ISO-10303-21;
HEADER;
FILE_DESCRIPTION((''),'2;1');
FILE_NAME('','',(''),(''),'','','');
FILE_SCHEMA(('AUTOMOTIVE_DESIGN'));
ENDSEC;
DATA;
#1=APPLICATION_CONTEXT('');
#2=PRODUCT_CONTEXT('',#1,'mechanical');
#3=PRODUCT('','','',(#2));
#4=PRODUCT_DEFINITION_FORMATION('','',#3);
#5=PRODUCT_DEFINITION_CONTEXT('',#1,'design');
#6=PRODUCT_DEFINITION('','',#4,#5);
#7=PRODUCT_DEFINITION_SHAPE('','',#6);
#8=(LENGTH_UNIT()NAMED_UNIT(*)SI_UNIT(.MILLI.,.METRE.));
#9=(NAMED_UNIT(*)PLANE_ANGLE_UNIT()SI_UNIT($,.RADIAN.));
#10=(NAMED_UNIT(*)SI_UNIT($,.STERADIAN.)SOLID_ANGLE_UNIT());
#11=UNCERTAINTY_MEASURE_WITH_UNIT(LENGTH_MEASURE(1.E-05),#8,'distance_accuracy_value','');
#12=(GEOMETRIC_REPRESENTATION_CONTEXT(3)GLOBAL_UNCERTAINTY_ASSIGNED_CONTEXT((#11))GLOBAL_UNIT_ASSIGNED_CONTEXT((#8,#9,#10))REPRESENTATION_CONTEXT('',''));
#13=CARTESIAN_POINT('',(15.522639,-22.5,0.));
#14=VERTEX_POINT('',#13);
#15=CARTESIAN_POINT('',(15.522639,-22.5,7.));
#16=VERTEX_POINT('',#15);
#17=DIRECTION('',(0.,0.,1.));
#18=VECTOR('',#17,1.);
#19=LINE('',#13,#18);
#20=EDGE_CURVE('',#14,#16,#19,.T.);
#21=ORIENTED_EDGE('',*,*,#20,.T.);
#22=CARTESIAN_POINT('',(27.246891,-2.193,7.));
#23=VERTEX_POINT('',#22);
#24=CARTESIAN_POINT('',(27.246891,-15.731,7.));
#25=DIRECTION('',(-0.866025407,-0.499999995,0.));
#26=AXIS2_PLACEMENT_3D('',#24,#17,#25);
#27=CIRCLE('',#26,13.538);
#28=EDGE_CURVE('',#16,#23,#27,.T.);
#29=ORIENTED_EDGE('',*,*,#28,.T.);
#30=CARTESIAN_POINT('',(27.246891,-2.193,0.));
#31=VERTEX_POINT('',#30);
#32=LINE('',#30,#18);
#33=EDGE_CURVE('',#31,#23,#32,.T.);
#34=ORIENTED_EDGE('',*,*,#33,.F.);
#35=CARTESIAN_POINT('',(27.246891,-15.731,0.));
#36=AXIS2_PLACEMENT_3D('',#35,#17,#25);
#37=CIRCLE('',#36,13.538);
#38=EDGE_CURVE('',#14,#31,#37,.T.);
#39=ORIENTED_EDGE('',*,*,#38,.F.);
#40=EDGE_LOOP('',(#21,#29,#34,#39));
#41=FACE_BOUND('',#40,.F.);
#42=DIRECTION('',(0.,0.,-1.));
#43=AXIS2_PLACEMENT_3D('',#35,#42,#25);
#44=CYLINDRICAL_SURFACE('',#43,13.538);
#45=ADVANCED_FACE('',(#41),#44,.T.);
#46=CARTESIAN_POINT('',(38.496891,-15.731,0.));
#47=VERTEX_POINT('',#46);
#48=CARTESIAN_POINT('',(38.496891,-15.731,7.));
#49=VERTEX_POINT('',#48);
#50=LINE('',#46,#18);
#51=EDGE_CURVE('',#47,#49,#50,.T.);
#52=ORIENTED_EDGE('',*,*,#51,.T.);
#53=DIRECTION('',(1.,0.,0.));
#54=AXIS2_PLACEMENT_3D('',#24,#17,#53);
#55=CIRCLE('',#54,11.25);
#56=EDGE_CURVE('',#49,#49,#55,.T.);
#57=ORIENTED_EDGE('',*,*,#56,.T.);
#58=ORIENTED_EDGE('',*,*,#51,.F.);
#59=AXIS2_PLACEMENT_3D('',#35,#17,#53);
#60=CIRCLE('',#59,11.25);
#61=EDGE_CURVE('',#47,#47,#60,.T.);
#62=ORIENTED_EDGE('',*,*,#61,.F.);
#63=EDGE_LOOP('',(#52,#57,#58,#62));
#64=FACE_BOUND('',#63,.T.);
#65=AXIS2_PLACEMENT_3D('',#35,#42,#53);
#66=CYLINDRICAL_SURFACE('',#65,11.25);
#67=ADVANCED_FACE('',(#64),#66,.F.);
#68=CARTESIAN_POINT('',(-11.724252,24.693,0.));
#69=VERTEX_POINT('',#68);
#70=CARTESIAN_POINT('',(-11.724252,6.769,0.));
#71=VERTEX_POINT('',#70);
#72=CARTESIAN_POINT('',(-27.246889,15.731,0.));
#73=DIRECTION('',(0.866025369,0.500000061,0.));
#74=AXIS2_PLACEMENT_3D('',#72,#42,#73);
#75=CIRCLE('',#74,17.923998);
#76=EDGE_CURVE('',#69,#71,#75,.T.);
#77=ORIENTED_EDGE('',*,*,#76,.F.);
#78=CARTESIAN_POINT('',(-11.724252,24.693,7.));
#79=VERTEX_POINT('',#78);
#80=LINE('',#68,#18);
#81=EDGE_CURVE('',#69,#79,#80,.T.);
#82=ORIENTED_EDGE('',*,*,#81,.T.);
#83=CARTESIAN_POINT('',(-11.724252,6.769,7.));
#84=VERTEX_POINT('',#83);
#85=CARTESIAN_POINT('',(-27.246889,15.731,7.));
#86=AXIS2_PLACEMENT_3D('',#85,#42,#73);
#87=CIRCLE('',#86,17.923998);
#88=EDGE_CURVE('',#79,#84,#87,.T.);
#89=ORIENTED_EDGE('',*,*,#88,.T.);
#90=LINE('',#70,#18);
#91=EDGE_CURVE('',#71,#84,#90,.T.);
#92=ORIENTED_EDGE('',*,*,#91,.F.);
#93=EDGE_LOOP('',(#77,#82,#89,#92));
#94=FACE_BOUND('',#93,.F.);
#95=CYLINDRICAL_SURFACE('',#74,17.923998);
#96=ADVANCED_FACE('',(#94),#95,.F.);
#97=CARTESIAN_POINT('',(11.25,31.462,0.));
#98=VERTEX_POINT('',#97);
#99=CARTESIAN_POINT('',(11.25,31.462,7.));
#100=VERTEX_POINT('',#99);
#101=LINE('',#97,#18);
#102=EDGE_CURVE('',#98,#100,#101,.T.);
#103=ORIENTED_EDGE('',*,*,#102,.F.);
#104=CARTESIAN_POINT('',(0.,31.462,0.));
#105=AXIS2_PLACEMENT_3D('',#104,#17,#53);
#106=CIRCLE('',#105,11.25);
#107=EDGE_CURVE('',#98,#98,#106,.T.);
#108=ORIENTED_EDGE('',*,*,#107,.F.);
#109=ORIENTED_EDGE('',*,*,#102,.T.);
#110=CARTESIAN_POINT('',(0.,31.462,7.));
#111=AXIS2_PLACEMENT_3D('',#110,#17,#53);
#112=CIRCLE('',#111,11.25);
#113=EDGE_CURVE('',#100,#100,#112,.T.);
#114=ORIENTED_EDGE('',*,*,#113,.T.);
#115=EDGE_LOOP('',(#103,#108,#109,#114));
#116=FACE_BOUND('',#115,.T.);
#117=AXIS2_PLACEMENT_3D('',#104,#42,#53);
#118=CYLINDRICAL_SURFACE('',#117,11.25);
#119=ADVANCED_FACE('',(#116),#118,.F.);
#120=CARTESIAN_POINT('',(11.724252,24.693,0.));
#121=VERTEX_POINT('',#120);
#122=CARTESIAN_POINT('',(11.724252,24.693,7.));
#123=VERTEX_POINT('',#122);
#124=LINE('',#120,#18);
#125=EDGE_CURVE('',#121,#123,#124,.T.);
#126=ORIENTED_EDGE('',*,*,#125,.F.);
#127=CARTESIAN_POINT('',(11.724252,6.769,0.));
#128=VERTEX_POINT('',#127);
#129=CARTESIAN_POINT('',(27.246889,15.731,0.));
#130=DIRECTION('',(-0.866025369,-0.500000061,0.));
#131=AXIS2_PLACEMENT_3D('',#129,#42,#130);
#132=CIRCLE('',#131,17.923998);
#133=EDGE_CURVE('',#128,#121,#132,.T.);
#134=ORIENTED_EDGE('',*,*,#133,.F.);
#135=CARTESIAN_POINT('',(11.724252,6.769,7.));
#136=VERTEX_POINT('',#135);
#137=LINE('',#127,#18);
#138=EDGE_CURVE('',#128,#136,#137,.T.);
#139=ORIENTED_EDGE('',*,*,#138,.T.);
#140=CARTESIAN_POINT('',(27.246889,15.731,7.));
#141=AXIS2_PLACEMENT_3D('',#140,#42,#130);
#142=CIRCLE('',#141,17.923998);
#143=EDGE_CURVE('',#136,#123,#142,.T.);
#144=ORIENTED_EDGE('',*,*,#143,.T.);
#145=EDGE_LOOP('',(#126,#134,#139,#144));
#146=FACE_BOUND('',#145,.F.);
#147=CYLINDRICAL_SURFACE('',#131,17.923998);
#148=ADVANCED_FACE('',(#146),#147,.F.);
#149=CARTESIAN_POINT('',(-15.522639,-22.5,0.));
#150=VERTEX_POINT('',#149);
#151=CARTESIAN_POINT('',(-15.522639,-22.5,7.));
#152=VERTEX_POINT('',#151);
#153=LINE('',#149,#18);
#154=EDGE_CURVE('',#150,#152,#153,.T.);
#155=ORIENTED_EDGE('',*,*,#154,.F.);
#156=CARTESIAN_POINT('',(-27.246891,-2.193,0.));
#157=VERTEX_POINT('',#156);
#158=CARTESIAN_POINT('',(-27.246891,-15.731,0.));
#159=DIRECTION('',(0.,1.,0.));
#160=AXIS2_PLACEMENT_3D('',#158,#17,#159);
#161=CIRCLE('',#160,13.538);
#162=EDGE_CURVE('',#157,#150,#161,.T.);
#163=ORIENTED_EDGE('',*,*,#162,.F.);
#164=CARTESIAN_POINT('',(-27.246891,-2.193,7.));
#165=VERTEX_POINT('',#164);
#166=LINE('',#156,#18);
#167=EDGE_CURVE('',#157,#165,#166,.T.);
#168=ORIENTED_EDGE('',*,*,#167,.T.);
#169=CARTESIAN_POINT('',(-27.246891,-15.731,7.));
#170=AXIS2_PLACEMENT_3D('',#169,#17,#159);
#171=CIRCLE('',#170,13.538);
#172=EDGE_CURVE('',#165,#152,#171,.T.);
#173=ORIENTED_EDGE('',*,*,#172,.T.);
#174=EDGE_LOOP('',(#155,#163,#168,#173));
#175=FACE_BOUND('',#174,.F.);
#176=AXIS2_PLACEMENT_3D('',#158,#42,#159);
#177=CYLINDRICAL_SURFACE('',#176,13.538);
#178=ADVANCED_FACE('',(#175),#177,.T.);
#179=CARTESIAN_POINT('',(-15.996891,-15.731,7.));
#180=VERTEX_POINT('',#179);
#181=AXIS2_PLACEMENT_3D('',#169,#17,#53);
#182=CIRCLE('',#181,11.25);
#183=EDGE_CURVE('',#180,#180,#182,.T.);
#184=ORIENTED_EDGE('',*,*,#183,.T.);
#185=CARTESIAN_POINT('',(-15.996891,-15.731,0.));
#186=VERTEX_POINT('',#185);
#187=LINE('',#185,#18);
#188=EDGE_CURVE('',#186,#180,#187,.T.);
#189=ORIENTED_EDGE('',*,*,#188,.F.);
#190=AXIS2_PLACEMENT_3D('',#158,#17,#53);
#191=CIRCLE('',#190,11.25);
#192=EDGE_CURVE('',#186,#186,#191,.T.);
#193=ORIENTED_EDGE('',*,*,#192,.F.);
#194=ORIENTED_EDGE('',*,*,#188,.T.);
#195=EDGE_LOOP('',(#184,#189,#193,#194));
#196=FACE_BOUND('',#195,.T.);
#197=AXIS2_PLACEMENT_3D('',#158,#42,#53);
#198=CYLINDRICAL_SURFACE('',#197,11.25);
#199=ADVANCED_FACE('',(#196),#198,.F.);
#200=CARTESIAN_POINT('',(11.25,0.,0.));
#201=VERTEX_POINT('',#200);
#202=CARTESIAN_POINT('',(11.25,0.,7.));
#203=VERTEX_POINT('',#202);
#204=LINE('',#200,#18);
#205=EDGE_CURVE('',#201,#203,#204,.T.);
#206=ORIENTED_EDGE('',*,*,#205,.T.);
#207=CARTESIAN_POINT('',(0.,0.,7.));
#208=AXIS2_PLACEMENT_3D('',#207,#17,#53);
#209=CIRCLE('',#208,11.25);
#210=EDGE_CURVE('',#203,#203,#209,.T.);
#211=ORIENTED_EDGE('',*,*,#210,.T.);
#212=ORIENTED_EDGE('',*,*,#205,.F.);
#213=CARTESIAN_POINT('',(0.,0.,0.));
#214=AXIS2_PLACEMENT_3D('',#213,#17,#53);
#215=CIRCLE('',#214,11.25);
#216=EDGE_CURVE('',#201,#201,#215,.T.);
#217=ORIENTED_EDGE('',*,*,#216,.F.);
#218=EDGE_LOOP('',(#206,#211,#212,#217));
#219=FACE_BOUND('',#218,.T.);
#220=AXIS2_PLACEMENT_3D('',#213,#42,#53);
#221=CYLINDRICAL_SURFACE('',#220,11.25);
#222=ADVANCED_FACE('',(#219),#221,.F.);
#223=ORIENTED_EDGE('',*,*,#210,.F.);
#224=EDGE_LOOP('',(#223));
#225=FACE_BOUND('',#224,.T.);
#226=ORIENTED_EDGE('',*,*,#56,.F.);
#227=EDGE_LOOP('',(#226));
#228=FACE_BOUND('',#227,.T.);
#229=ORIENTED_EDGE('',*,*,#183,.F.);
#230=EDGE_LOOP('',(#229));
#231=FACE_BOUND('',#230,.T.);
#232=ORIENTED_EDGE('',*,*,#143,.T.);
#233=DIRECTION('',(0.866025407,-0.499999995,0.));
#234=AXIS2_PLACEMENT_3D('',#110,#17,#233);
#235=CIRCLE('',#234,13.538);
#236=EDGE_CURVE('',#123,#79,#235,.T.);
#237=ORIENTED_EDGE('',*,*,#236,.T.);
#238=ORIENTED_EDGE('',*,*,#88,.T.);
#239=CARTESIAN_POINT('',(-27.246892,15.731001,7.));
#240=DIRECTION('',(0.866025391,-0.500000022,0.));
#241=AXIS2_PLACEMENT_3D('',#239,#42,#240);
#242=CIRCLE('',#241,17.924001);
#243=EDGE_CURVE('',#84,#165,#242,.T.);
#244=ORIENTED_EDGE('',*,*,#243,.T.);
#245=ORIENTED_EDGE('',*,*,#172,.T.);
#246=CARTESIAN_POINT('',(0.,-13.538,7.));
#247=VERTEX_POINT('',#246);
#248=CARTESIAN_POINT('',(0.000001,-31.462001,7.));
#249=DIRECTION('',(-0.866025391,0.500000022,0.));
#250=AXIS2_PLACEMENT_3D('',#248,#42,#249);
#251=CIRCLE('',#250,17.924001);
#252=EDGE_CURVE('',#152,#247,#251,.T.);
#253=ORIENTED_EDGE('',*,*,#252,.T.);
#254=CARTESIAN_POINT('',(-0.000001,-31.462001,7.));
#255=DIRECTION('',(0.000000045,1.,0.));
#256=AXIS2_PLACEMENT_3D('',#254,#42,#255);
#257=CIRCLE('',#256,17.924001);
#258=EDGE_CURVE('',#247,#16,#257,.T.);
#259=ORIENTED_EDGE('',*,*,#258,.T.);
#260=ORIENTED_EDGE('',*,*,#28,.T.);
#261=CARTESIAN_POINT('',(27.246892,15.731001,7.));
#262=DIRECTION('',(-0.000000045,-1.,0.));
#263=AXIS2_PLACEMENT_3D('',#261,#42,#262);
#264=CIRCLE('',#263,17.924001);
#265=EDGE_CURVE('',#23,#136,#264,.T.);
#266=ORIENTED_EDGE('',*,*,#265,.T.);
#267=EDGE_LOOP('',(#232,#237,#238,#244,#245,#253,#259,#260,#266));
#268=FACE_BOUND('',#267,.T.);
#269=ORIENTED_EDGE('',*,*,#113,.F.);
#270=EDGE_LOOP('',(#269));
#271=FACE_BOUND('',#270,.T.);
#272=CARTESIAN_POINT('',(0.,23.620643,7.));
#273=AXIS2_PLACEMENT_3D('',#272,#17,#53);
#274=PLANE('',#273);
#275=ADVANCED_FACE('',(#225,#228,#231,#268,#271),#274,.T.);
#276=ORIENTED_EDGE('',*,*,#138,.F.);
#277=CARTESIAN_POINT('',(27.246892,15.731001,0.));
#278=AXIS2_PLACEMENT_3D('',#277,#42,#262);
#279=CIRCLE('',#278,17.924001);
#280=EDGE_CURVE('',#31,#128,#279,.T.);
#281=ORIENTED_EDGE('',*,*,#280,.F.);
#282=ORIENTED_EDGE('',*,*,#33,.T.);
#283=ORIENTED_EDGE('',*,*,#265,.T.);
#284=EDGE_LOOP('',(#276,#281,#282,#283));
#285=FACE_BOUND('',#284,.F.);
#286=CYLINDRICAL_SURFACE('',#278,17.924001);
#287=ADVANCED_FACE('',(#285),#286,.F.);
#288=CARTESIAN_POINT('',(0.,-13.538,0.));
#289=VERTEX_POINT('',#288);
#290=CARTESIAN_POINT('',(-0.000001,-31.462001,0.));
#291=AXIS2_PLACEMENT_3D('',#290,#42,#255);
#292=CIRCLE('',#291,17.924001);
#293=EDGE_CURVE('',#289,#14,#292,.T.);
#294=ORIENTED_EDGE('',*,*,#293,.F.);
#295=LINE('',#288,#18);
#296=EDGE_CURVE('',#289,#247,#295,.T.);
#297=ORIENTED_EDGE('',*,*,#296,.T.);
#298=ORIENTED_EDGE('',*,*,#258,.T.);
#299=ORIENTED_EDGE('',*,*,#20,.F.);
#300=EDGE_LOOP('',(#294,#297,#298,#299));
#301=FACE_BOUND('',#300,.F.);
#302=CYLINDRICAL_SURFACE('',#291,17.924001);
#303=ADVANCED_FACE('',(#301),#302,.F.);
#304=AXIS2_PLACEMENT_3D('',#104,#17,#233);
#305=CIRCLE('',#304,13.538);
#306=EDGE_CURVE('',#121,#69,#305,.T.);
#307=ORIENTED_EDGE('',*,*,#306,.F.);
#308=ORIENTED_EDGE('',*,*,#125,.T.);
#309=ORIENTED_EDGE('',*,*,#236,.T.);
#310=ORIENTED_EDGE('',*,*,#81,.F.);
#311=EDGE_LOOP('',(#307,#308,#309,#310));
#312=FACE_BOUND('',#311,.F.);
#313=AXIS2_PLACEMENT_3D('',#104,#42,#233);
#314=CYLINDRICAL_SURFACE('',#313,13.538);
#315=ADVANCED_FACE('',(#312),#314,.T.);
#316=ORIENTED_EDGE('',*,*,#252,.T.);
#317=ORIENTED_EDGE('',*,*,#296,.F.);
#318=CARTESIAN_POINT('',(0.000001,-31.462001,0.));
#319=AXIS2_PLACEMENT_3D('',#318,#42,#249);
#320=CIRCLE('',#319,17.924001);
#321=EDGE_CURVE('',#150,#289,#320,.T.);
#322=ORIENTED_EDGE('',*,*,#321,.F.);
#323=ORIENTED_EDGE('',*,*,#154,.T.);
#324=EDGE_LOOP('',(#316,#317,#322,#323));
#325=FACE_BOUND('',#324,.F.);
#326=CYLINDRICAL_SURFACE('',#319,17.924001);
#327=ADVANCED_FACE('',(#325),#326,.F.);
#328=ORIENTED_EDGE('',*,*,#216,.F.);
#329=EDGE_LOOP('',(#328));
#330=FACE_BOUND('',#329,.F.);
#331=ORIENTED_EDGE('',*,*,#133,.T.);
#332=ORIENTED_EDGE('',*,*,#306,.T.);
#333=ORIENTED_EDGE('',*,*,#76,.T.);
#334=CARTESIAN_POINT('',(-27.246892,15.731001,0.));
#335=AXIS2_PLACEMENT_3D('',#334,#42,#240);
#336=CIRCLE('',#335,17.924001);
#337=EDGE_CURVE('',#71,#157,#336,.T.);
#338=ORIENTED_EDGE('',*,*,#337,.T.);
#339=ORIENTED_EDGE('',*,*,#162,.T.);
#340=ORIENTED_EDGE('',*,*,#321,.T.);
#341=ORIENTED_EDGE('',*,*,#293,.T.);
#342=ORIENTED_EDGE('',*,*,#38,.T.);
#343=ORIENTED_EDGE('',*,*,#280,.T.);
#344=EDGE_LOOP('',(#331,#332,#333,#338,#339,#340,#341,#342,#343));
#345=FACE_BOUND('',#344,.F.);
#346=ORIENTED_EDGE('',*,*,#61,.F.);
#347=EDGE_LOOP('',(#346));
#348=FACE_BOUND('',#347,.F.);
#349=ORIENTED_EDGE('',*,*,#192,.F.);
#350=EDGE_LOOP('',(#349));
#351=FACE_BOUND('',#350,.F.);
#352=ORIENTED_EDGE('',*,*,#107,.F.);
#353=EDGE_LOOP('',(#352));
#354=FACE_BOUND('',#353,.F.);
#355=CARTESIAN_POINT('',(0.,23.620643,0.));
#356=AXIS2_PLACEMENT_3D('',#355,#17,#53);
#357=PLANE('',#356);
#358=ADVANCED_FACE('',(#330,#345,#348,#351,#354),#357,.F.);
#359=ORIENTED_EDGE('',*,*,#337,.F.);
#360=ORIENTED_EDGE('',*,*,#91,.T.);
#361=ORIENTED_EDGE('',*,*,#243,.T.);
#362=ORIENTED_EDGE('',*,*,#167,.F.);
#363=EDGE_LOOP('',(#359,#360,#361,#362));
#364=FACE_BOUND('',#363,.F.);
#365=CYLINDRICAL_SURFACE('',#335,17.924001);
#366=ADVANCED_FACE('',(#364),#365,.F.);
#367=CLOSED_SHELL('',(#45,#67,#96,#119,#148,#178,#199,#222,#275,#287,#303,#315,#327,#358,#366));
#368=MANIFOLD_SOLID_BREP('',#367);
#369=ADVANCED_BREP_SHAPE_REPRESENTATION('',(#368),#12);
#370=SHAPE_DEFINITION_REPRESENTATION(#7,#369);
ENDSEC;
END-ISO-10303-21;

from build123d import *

# Parameters (mm, degrees)
F0_R     = 11.25
F1_DEPTH = 7


with BuildPart() as f1:
    # F0 (on Top) → F1 (new body)
    with BuildSketch(Plane.XY):
        with BuildLine():
            ThreePointArc((11.724252, 6.769), (9.322891, 15.731), (11.724252, 24.693))
            ThreePointArc((11.724252, 24.693), (0, 45), (-11.724252, 24.693))
            ThreePointArc((-11.724252, 24.693), (-9.322891, 15.731), (-11.724252, 6.769))
            ThreePointArc((-11.724252, 6.769), (0, 13.538), (11.724252, 6.769))
        make_face()
        with Locations((0, 31.462)):
            Circle(F0_R, mode=Mode.SUBTRACT)
        with BuildLine():
            ThreePointArc((0, -13.538), (-11.724252, -6.769), (-11.724252, 6.769))
            ThreePointArc((-11.724252, 6.769), (-18.284891, 0.208361), (-27.246891, -2.193))
            ThreePointArc((-27.246891, -2.193), (-38.971143, -22.5), (-15.522639, -22.5))
            ThreePointArc((-15.522639, -22.5), (-8.962, -15.939361), (0, -13.538))
        make_face()
        with Locations((-27.246891, -15.731)):
            Circle(F0_R, mode=Mode.SUBTRACT)
        with BuildLine():
            ThreePointArc((13.538, 0), (13.076704, 3.503892), (11.724252, 6.769))
            ThreePointArc((11.724252, 6.769), (0, 13.538), (-11.724252, 6.769))
            ThreePointArc((-11.724252, 6.769), (-11.724252, -6.769), (0, -13.538))
            ThreePointArc((0, -13.538), (9.572812, -9.572812), (13.538, 0))
        make_face()
        Circle(F0_R, mode=Mode.SUBTRACT)
        with BuildLine():
            ThreePointArc((27.246891, -2.193), (18.284891, 0.208361), (11.724252, 6.769))
            ThreePointArc((11.724252, 6.769), (13.076704, 3.503892), (13.538, 0))
            ThreePointArc((13.538, 0), (9.572812, -9.572812), (0, -13.538))
            ThreePointArc((0, -13.538), (8.962, -15.939361), (15.522639, -22.5))
            ThreePointArc((15.522639, -22.5), (38.971143, -22.5), (27.246891, -2.193))
        make_face()
        with Locations((27.246891, -15.731)):
            Circle(F0_R, mode=Mode.SUBTRACT)
    extrude(amount=F1_DEPTH)


solid = f1.part
